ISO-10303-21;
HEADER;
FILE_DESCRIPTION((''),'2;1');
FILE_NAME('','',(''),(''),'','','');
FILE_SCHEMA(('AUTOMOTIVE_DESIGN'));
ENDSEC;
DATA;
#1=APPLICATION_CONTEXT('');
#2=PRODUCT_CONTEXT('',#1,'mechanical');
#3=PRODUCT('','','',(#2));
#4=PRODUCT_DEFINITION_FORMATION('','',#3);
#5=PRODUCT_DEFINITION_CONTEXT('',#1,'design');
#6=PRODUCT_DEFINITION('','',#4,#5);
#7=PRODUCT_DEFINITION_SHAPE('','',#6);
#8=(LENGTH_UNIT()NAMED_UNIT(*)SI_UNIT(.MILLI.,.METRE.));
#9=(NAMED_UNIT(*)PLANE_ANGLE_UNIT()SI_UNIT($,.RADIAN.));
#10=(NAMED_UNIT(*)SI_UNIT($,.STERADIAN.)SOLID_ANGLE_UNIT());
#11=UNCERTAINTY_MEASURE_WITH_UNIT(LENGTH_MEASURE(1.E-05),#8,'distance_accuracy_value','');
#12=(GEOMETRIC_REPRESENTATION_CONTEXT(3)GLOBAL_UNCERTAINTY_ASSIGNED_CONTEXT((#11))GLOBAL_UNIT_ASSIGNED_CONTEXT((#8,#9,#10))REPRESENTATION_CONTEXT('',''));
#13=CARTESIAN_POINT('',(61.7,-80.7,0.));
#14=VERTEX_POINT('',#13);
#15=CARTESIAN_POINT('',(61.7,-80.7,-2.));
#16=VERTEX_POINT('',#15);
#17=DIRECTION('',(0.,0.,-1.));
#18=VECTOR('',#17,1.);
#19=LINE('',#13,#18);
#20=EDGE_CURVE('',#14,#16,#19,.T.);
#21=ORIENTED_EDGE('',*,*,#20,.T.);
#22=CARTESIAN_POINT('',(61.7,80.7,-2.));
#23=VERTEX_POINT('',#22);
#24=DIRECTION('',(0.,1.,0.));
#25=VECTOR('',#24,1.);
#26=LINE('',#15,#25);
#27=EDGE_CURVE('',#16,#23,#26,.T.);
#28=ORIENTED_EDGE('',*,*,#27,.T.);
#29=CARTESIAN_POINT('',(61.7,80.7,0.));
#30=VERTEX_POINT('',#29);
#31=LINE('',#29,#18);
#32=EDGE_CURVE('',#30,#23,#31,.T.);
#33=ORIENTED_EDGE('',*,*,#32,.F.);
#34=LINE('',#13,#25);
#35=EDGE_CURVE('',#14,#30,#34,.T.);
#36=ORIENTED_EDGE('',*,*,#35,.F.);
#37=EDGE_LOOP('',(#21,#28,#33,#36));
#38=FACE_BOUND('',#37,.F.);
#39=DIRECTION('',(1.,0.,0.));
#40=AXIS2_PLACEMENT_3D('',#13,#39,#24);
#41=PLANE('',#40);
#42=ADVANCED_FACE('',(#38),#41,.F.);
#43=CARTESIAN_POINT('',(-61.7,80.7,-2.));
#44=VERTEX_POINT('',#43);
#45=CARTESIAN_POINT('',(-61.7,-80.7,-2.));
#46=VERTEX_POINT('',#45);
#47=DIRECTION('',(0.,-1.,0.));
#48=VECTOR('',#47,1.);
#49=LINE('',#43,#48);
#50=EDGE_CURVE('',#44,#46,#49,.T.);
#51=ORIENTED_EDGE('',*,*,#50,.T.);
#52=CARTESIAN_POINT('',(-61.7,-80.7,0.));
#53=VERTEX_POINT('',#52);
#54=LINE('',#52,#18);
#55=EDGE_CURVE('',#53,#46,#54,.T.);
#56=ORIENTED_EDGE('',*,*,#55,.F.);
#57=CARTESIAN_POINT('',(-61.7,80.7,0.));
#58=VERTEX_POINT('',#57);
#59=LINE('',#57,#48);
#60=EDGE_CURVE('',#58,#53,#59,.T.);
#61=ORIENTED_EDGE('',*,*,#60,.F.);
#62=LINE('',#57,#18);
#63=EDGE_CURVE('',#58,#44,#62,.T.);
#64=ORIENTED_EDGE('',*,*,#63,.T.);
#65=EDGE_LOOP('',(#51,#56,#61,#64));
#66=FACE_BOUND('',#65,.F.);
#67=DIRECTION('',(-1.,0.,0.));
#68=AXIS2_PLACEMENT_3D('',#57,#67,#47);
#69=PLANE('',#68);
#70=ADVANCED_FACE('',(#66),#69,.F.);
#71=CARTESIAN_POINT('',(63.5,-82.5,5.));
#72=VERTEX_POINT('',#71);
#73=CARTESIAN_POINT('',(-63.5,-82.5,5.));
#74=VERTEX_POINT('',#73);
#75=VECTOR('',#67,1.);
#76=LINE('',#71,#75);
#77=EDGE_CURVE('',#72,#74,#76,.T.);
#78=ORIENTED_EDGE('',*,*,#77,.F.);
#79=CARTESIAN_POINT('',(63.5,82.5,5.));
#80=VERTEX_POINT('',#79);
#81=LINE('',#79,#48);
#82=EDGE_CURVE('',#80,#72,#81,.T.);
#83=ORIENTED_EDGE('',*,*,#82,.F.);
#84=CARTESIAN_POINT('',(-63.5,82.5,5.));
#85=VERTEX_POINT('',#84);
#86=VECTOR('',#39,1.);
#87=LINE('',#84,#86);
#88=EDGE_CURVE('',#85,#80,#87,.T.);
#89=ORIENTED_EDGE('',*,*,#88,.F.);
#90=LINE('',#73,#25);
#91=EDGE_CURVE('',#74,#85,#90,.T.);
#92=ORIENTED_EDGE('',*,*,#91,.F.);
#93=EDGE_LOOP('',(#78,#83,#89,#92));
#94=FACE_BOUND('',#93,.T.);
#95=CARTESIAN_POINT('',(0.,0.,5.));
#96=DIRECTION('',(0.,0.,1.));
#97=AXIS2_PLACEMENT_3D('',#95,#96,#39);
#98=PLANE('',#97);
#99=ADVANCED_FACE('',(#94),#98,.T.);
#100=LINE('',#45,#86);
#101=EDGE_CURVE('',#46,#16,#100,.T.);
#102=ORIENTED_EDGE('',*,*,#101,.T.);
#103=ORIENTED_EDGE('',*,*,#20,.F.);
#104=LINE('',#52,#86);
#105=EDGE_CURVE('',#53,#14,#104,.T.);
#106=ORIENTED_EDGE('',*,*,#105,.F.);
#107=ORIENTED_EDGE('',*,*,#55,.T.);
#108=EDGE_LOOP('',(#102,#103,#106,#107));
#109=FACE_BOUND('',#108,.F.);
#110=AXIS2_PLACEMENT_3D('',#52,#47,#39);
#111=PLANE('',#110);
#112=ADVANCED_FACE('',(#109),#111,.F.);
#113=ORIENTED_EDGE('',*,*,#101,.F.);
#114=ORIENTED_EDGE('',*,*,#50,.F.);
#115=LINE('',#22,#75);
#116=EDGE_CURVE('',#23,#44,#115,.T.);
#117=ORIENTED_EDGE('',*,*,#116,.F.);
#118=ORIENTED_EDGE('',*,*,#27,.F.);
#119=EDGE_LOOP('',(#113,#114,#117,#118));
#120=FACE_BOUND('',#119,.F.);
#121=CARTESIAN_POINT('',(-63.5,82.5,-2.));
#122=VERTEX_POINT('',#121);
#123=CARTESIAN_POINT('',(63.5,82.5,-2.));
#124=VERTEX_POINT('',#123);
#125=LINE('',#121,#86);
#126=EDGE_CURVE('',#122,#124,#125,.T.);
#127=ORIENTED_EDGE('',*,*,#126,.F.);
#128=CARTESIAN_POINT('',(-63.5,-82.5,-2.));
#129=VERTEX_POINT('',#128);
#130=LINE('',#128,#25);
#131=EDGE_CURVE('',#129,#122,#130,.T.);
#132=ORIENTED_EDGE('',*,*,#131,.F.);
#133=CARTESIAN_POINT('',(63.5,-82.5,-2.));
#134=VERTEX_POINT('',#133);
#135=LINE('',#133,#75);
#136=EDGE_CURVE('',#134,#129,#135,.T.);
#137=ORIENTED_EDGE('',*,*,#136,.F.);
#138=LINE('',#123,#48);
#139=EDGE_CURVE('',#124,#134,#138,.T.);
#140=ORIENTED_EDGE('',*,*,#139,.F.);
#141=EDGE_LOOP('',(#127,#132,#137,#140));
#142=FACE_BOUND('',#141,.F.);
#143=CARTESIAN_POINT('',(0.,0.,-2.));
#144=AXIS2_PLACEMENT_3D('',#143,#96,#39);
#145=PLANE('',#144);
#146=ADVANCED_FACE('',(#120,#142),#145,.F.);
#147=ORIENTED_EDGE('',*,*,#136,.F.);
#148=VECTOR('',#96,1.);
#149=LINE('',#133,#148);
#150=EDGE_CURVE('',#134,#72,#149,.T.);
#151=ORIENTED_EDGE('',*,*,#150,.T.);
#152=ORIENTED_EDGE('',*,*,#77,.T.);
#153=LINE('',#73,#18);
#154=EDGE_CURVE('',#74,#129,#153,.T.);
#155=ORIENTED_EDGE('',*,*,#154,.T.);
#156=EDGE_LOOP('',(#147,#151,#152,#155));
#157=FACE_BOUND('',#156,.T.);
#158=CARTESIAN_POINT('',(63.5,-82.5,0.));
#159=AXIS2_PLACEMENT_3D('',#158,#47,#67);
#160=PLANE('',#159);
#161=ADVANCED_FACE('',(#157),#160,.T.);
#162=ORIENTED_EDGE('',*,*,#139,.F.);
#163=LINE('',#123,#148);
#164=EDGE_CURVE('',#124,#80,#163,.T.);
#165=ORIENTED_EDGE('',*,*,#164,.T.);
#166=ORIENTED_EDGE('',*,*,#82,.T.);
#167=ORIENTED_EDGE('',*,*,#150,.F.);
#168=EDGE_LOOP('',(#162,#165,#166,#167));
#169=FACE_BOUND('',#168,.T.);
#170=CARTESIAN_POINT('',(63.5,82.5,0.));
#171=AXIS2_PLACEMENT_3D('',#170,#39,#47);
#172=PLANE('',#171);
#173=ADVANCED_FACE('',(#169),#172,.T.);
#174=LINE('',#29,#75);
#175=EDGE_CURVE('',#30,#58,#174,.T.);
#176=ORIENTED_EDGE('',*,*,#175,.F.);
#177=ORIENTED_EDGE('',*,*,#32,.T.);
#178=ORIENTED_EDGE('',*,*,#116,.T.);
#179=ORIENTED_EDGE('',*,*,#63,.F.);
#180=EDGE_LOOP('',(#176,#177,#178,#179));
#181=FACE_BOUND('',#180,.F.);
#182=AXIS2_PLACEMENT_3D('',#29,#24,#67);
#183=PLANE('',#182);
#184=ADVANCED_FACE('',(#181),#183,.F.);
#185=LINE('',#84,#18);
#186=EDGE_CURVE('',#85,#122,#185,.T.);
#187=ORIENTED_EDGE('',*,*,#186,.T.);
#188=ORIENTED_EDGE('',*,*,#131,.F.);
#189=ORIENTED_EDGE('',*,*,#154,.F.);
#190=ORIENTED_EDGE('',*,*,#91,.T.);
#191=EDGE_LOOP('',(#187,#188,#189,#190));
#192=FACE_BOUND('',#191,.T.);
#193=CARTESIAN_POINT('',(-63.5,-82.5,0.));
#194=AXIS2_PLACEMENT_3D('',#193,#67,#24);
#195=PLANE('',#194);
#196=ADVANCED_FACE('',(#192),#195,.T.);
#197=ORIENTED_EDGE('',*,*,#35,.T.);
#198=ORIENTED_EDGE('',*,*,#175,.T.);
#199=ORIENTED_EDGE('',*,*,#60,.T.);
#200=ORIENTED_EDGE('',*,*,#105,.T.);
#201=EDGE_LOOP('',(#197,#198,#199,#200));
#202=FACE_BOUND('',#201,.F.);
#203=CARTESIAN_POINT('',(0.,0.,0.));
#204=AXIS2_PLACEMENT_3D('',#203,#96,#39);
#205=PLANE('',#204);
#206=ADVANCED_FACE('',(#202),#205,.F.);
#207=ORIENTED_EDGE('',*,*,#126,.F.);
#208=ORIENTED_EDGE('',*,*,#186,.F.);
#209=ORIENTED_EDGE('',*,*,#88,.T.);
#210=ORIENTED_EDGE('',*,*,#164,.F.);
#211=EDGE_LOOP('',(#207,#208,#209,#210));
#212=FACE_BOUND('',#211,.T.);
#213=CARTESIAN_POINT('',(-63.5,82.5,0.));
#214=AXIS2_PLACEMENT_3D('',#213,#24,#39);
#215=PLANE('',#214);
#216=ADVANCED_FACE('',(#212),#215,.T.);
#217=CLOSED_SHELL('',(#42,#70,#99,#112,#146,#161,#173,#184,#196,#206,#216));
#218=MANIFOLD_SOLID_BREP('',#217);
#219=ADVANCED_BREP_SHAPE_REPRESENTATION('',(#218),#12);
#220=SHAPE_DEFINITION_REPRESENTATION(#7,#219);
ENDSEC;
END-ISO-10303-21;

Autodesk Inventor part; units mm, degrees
ref_plane "YZ Plane" through (0, 0, 0) normal (1, 0, 0) x (0, 1, 0)
ref_plane "XZ Plane" through (0, 0, 0) normal (0, 1, 0) x (-1, 0, 0)
ref_plane "XY Plane" through (0, 0, 0) normal (0, 0, 1) x (1, 0, 0)
sketch "Эскиз1" plane through (0, 0, 0) normal (0, 0, 1) x (1, 0, 0)
  line L0 (63.5, -82.5) -> (-63.5, -82.5) projected
  line L1 (-63.5, -82.5) -> (-63.5, 82.5) projected
  line L2 (63.5, 82.5) -> (63.5, -82.5) projected
  line L3 (-63.5, 82.5) -> (63.5, 82.5) projected
  point P0 (0, 0)
extrude "Выдавливание1" add sketch "Эскиз1" along normal blind 5
sketch "Эскиз2" plane through (0, 0, 0) normal (0, 0, 1) x (1, 0, 0)
  line L0 (-63.5, -82.5) -> (-63.5, 82.5) projected
  line L1 (-63.5, 82.5) -> (63.5, 82.5) projected
  line L2 (63.5, 82.5) -> (63.5, -82.5) projected
  line L3 (63.5, -82.5) -> (-63.5, -82.5) projected
  line L4 (-61.7, 80.7) -> (-61.7, -80.7)
  line L5 (-61.7, -80.7) -> (61.7, -80.7)
  line L6 (61.7, -80.7) -> (61.7, 80.7)
  line L7 (61.7, 80.7) -> (-61.7, 80.7)
  point P0 (0, 0)
  dimension "d2" = 1.8
extrude "Выдавливание2" add sketch "Эскиз2" against normal blind 2
properties part number "Крышка контейнера"
